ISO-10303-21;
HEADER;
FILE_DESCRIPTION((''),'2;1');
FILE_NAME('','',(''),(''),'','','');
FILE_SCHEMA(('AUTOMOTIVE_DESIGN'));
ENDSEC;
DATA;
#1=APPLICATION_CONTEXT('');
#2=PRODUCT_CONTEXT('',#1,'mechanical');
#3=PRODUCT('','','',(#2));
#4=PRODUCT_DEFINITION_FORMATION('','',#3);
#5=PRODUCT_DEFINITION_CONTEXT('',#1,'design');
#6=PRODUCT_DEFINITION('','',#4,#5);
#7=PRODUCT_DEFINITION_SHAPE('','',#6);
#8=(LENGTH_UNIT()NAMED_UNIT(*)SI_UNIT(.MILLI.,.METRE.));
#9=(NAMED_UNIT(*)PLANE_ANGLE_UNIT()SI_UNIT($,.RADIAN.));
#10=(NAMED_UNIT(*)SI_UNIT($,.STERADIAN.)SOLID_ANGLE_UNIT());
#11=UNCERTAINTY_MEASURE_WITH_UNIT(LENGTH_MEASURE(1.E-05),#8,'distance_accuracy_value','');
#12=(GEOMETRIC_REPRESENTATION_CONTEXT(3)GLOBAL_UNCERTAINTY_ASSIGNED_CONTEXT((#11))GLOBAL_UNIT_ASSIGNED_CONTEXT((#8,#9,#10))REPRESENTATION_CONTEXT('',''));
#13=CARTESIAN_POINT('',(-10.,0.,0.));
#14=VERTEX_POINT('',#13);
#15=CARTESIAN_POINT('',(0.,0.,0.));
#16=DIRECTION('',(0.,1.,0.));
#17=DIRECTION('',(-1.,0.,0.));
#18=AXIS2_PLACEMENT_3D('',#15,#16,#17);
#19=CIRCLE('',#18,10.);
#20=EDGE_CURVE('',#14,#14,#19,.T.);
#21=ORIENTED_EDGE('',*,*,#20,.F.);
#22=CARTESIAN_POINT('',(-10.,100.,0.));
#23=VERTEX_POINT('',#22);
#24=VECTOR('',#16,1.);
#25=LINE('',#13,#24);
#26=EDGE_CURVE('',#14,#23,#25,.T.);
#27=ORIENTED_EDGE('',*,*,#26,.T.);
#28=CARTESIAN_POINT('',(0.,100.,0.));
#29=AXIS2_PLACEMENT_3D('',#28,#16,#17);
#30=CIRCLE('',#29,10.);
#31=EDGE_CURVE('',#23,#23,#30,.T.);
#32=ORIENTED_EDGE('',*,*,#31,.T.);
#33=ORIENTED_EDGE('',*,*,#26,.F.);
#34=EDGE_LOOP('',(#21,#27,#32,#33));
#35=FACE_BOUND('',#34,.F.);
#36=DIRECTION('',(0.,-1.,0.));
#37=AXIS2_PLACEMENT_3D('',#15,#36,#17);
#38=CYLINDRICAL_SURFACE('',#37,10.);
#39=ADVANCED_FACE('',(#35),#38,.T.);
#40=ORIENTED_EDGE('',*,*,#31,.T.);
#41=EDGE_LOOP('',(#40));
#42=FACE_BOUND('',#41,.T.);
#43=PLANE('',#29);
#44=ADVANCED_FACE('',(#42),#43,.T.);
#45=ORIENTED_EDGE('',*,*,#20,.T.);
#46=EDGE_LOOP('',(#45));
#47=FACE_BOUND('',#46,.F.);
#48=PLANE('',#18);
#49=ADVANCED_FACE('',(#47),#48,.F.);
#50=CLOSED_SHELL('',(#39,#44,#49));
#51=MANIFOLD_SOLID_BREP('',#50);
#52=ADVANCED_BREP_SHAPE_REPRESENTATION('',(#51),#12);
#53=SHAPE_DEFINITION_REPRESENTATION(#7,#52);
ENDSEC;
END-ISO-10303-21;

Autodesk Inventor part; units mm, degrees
ref_plane "YZ Plane" through (0, 0, 0) normal (1, 0, 0) x (0, 1, 0)
ref_plane "XZ Plane" through (0, 0, 0) normal (0, 1, 0) x (-1, 0, 0)
ref_plane "XY Plane" through (0, 0, 0) normal (0, 0, 1) x (1, 0, 0)
sketch "Sketch1" plane through (0, 0, 0) normal (0, 1, 0) x (-1, 0, 0)
  circle A0 centre (0, 0) radius 10
  dimension "d0" = 20
extrude "Extrusion1" add sketch "Sketch1" along normal blind 100
properties part number "Axial Top"
